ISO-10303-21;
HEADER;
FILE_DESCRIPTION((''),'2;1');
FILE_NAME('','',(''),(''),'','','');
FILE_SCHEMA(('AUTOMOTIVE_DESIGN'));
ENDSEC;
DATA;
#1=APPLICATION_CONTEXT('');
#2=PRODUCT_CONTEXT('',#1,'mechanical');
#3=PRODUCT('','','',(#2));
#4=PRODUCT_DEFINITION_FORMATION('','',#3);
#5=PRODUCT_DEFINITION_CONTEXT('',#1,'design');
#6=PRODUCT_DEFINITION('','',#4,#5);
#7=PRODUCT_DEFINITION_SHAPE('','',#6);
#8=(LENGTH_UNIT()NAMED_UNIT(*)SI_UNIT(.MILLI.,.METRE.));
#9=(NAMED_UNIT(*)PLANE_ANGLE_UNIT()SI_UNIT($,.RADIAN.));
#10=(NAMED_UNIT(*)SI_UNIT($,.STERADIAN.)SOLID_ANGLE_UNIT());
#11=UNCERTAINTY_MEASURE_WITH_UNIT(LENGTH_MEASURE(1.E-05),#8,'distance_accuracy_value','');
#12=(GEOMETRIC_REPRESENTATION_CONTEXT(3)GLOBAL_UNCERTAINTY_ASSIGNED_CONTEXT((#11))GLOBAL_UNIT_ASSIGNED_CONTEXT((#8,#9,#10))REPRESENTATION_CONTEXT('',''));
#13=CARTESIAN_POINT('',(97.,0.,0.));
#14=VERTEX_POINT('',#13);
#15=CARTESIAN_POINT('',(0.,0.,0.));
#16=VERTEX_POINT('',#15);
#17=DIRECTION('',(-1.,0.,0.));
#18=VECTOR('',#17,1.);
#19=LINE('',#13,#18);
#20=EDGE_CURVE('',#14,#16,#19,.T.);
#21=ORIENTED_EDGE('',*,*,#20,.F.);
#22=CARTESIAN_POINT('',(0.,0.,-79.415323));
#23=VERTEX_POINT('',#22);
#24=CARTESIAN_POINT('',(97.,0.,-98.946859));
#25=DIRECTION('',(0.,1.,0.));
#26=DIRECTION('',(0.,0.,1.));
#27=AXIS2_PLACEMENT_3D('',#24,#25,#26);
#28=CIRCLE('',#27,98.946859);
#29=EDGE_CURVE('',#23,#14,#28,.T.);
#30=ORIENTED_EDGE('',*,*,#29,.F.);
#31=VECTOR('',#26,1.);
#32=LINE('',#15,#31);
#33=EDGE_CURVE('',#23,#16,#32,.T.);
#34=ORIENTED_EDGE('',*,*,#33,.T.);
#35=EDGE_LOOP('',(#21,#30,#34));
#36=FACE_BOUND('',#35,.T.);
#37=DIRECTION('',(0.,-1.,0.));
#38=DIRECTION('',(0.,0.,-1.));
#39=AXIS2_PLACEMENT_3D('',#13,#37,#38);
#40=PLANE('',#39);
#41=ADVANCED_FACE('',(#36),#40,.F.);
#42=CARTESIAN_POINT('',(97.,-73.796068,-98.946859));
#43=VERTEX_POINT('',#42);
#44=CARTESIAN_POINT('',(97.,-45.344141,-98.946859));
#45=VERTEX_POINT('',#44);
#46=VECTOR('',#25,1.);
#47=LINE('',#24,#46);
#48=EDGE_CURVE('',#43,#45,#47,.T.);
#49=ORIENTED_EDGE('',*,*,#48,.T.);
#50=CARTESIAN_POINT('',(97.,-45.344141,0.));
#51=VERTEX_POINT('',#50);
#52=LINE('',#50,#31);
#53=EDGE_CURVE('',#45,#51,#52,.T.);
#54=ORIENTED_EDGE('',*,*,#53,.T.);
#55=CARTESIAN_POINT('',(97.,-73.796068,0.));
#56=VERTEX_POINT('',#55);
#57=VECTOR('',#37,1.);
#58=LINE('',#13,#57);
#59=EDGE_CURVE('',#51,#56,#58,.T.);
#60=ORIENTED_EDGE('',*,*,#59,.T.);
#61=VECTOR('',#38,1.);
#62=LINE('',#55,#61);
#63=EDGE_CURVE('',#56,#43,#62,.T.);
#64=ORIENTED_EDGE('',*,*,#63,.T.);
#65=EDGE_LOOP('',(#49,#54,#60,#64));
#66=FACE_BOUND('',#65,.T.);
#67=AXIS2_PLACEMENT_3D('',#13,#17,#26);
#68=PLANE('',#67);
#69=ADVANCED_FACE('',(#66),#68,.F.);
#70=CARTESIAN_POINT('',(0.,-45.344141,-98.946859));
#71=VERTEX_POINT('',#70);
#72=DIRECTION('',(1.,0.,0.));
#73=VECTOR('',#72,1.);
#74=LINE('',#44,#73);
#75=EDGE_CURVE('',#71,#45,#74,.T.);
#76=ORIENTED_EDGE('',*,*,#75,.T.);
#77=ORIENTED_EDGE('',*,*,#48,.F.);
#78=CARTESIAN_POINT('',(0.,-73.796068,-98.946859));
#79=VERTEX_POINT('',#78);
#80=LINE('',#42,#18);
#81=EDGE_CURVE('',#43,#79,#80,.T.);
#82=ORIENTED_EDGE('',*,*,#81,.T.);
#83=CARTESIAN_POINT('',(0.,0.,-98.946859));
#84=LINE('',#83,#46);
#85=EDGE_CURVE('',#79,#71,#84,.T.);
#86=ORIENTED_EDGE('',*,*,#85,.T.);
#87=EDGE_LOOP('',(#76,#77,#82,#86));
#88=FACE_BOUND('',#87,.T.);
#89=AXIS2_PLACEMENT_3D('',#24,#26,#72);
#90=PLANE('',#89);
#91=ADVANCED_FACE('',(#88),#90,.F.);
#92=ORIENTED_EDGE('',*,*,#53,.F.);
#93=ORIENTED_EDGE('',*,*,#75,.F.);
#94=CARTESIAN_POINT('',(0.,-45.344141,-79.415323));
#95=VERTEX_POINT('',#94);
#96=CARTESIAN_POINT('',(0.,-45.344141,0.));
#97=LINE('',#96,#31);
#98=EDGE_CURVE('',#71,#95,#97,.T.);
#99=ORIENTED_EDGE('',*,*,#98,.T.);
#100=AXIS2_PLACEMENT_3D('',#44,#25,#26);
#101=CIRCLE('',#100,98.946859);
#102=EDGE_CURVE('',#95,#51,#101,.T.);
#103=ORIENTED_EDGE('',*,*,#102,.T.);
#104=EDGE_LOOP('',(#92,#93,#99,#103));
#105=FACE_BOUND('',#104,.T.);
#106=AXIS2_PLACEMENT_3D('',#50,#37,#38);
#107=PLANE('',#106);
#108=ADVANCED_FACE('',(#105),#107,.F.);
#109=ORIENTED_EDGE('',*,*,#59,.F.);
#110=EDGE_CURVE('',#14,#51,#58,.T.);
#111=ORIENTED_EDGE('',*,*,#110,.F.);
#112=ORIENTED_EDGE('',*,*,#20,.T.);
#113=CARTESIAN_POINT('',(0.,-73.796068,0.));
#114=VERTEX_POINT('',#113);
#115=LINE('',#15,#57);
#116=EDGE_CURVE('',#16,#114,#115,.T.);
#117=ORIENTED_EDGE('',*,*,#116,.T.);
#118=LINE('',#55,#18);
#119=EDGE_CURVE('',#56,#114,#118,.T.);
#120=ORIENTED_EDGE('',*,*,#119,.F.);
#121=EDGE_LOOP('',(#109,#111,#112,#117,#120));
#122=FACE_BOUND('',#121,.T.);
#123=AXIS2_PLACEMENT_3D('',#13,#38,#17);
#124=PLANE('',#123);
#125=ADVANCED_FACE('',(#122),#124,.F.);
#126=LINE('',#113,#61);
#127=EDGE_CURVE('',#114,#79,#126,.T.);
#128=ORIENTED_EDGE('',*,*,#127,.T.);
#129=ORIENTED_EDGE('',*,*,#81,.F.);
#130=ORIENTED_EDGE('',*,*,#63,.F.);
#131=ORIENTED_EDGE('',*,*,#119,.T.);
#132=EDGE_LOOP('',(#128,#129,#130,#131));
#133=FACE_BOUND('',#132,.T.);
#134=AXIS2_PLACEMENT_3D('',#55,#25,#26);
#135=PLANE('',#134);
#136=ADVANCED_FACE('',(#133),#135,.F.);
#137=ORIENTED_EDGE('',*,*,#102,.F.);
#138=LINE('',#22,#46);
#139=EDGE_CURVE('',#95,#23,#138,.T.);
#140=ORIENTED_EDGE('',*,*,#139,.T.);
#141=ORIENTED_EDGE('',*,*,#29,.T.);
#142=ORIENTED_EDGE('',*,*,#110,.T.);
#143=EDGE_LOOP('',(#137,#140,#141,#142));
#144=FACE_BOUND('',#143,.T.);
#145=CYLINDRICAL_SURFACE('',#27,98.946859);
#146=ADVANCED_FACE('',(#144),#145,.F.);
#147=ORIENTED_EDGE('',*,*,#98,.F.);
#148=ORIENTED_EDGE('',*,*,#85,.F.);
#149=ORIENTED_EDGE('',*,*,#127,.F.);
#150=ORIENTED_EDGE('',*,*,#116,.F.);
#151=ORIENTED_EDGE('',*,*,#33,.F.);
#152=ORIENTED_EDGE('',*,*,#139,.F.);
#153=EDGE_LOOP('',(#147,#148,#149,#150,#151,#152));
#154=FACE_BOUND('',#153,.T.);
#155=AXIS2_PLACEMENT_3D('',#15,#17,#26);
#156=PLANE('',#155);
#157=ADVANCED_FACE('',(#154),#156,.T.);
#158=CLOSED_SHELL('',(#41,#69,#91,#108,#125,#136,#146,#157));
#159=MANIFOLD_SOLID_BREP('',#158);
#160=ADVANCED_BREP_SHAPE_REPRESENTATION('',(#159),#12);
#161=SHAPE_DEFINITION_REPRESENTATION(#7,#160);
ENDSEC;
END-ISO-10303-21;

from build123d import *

# Parameters (mm, degrees)
SKETCH1_W           = 73.796067544
SKETCH1_H           = 98.946858939
BOSS_EXTRUDE1_DEPTH = 97
SKETCH2_W           = 45.344140944
SKETCH2_H           = 98.946858939


with BuildPart() as part:
    # Sketch1 → Boss-Extrude1 (new body)
    with BuildSketch(Plane.YZ):
        with Locations((-36.898033772, -49.47342947)):
            Rectangle(SKETCH1_W, SKETCH1_H)
    extrude(amount=BOSS_EXTRUDE1_DEPTH)

    # Sketch2 → Cut-Revolve1 (revolve, cut)
    with BuildSketch(Plane.YZ.offset(97)):
        with Locations((-22.672070472, -49.47342947)):
            Rectangle(SKETCH2_W, SKETCH2_H)
    revolve(axis=Axis((97, 0, -98.946858939), (0, -1, 0)), mode=Mode.SUBTRACT)


solid = part.part
